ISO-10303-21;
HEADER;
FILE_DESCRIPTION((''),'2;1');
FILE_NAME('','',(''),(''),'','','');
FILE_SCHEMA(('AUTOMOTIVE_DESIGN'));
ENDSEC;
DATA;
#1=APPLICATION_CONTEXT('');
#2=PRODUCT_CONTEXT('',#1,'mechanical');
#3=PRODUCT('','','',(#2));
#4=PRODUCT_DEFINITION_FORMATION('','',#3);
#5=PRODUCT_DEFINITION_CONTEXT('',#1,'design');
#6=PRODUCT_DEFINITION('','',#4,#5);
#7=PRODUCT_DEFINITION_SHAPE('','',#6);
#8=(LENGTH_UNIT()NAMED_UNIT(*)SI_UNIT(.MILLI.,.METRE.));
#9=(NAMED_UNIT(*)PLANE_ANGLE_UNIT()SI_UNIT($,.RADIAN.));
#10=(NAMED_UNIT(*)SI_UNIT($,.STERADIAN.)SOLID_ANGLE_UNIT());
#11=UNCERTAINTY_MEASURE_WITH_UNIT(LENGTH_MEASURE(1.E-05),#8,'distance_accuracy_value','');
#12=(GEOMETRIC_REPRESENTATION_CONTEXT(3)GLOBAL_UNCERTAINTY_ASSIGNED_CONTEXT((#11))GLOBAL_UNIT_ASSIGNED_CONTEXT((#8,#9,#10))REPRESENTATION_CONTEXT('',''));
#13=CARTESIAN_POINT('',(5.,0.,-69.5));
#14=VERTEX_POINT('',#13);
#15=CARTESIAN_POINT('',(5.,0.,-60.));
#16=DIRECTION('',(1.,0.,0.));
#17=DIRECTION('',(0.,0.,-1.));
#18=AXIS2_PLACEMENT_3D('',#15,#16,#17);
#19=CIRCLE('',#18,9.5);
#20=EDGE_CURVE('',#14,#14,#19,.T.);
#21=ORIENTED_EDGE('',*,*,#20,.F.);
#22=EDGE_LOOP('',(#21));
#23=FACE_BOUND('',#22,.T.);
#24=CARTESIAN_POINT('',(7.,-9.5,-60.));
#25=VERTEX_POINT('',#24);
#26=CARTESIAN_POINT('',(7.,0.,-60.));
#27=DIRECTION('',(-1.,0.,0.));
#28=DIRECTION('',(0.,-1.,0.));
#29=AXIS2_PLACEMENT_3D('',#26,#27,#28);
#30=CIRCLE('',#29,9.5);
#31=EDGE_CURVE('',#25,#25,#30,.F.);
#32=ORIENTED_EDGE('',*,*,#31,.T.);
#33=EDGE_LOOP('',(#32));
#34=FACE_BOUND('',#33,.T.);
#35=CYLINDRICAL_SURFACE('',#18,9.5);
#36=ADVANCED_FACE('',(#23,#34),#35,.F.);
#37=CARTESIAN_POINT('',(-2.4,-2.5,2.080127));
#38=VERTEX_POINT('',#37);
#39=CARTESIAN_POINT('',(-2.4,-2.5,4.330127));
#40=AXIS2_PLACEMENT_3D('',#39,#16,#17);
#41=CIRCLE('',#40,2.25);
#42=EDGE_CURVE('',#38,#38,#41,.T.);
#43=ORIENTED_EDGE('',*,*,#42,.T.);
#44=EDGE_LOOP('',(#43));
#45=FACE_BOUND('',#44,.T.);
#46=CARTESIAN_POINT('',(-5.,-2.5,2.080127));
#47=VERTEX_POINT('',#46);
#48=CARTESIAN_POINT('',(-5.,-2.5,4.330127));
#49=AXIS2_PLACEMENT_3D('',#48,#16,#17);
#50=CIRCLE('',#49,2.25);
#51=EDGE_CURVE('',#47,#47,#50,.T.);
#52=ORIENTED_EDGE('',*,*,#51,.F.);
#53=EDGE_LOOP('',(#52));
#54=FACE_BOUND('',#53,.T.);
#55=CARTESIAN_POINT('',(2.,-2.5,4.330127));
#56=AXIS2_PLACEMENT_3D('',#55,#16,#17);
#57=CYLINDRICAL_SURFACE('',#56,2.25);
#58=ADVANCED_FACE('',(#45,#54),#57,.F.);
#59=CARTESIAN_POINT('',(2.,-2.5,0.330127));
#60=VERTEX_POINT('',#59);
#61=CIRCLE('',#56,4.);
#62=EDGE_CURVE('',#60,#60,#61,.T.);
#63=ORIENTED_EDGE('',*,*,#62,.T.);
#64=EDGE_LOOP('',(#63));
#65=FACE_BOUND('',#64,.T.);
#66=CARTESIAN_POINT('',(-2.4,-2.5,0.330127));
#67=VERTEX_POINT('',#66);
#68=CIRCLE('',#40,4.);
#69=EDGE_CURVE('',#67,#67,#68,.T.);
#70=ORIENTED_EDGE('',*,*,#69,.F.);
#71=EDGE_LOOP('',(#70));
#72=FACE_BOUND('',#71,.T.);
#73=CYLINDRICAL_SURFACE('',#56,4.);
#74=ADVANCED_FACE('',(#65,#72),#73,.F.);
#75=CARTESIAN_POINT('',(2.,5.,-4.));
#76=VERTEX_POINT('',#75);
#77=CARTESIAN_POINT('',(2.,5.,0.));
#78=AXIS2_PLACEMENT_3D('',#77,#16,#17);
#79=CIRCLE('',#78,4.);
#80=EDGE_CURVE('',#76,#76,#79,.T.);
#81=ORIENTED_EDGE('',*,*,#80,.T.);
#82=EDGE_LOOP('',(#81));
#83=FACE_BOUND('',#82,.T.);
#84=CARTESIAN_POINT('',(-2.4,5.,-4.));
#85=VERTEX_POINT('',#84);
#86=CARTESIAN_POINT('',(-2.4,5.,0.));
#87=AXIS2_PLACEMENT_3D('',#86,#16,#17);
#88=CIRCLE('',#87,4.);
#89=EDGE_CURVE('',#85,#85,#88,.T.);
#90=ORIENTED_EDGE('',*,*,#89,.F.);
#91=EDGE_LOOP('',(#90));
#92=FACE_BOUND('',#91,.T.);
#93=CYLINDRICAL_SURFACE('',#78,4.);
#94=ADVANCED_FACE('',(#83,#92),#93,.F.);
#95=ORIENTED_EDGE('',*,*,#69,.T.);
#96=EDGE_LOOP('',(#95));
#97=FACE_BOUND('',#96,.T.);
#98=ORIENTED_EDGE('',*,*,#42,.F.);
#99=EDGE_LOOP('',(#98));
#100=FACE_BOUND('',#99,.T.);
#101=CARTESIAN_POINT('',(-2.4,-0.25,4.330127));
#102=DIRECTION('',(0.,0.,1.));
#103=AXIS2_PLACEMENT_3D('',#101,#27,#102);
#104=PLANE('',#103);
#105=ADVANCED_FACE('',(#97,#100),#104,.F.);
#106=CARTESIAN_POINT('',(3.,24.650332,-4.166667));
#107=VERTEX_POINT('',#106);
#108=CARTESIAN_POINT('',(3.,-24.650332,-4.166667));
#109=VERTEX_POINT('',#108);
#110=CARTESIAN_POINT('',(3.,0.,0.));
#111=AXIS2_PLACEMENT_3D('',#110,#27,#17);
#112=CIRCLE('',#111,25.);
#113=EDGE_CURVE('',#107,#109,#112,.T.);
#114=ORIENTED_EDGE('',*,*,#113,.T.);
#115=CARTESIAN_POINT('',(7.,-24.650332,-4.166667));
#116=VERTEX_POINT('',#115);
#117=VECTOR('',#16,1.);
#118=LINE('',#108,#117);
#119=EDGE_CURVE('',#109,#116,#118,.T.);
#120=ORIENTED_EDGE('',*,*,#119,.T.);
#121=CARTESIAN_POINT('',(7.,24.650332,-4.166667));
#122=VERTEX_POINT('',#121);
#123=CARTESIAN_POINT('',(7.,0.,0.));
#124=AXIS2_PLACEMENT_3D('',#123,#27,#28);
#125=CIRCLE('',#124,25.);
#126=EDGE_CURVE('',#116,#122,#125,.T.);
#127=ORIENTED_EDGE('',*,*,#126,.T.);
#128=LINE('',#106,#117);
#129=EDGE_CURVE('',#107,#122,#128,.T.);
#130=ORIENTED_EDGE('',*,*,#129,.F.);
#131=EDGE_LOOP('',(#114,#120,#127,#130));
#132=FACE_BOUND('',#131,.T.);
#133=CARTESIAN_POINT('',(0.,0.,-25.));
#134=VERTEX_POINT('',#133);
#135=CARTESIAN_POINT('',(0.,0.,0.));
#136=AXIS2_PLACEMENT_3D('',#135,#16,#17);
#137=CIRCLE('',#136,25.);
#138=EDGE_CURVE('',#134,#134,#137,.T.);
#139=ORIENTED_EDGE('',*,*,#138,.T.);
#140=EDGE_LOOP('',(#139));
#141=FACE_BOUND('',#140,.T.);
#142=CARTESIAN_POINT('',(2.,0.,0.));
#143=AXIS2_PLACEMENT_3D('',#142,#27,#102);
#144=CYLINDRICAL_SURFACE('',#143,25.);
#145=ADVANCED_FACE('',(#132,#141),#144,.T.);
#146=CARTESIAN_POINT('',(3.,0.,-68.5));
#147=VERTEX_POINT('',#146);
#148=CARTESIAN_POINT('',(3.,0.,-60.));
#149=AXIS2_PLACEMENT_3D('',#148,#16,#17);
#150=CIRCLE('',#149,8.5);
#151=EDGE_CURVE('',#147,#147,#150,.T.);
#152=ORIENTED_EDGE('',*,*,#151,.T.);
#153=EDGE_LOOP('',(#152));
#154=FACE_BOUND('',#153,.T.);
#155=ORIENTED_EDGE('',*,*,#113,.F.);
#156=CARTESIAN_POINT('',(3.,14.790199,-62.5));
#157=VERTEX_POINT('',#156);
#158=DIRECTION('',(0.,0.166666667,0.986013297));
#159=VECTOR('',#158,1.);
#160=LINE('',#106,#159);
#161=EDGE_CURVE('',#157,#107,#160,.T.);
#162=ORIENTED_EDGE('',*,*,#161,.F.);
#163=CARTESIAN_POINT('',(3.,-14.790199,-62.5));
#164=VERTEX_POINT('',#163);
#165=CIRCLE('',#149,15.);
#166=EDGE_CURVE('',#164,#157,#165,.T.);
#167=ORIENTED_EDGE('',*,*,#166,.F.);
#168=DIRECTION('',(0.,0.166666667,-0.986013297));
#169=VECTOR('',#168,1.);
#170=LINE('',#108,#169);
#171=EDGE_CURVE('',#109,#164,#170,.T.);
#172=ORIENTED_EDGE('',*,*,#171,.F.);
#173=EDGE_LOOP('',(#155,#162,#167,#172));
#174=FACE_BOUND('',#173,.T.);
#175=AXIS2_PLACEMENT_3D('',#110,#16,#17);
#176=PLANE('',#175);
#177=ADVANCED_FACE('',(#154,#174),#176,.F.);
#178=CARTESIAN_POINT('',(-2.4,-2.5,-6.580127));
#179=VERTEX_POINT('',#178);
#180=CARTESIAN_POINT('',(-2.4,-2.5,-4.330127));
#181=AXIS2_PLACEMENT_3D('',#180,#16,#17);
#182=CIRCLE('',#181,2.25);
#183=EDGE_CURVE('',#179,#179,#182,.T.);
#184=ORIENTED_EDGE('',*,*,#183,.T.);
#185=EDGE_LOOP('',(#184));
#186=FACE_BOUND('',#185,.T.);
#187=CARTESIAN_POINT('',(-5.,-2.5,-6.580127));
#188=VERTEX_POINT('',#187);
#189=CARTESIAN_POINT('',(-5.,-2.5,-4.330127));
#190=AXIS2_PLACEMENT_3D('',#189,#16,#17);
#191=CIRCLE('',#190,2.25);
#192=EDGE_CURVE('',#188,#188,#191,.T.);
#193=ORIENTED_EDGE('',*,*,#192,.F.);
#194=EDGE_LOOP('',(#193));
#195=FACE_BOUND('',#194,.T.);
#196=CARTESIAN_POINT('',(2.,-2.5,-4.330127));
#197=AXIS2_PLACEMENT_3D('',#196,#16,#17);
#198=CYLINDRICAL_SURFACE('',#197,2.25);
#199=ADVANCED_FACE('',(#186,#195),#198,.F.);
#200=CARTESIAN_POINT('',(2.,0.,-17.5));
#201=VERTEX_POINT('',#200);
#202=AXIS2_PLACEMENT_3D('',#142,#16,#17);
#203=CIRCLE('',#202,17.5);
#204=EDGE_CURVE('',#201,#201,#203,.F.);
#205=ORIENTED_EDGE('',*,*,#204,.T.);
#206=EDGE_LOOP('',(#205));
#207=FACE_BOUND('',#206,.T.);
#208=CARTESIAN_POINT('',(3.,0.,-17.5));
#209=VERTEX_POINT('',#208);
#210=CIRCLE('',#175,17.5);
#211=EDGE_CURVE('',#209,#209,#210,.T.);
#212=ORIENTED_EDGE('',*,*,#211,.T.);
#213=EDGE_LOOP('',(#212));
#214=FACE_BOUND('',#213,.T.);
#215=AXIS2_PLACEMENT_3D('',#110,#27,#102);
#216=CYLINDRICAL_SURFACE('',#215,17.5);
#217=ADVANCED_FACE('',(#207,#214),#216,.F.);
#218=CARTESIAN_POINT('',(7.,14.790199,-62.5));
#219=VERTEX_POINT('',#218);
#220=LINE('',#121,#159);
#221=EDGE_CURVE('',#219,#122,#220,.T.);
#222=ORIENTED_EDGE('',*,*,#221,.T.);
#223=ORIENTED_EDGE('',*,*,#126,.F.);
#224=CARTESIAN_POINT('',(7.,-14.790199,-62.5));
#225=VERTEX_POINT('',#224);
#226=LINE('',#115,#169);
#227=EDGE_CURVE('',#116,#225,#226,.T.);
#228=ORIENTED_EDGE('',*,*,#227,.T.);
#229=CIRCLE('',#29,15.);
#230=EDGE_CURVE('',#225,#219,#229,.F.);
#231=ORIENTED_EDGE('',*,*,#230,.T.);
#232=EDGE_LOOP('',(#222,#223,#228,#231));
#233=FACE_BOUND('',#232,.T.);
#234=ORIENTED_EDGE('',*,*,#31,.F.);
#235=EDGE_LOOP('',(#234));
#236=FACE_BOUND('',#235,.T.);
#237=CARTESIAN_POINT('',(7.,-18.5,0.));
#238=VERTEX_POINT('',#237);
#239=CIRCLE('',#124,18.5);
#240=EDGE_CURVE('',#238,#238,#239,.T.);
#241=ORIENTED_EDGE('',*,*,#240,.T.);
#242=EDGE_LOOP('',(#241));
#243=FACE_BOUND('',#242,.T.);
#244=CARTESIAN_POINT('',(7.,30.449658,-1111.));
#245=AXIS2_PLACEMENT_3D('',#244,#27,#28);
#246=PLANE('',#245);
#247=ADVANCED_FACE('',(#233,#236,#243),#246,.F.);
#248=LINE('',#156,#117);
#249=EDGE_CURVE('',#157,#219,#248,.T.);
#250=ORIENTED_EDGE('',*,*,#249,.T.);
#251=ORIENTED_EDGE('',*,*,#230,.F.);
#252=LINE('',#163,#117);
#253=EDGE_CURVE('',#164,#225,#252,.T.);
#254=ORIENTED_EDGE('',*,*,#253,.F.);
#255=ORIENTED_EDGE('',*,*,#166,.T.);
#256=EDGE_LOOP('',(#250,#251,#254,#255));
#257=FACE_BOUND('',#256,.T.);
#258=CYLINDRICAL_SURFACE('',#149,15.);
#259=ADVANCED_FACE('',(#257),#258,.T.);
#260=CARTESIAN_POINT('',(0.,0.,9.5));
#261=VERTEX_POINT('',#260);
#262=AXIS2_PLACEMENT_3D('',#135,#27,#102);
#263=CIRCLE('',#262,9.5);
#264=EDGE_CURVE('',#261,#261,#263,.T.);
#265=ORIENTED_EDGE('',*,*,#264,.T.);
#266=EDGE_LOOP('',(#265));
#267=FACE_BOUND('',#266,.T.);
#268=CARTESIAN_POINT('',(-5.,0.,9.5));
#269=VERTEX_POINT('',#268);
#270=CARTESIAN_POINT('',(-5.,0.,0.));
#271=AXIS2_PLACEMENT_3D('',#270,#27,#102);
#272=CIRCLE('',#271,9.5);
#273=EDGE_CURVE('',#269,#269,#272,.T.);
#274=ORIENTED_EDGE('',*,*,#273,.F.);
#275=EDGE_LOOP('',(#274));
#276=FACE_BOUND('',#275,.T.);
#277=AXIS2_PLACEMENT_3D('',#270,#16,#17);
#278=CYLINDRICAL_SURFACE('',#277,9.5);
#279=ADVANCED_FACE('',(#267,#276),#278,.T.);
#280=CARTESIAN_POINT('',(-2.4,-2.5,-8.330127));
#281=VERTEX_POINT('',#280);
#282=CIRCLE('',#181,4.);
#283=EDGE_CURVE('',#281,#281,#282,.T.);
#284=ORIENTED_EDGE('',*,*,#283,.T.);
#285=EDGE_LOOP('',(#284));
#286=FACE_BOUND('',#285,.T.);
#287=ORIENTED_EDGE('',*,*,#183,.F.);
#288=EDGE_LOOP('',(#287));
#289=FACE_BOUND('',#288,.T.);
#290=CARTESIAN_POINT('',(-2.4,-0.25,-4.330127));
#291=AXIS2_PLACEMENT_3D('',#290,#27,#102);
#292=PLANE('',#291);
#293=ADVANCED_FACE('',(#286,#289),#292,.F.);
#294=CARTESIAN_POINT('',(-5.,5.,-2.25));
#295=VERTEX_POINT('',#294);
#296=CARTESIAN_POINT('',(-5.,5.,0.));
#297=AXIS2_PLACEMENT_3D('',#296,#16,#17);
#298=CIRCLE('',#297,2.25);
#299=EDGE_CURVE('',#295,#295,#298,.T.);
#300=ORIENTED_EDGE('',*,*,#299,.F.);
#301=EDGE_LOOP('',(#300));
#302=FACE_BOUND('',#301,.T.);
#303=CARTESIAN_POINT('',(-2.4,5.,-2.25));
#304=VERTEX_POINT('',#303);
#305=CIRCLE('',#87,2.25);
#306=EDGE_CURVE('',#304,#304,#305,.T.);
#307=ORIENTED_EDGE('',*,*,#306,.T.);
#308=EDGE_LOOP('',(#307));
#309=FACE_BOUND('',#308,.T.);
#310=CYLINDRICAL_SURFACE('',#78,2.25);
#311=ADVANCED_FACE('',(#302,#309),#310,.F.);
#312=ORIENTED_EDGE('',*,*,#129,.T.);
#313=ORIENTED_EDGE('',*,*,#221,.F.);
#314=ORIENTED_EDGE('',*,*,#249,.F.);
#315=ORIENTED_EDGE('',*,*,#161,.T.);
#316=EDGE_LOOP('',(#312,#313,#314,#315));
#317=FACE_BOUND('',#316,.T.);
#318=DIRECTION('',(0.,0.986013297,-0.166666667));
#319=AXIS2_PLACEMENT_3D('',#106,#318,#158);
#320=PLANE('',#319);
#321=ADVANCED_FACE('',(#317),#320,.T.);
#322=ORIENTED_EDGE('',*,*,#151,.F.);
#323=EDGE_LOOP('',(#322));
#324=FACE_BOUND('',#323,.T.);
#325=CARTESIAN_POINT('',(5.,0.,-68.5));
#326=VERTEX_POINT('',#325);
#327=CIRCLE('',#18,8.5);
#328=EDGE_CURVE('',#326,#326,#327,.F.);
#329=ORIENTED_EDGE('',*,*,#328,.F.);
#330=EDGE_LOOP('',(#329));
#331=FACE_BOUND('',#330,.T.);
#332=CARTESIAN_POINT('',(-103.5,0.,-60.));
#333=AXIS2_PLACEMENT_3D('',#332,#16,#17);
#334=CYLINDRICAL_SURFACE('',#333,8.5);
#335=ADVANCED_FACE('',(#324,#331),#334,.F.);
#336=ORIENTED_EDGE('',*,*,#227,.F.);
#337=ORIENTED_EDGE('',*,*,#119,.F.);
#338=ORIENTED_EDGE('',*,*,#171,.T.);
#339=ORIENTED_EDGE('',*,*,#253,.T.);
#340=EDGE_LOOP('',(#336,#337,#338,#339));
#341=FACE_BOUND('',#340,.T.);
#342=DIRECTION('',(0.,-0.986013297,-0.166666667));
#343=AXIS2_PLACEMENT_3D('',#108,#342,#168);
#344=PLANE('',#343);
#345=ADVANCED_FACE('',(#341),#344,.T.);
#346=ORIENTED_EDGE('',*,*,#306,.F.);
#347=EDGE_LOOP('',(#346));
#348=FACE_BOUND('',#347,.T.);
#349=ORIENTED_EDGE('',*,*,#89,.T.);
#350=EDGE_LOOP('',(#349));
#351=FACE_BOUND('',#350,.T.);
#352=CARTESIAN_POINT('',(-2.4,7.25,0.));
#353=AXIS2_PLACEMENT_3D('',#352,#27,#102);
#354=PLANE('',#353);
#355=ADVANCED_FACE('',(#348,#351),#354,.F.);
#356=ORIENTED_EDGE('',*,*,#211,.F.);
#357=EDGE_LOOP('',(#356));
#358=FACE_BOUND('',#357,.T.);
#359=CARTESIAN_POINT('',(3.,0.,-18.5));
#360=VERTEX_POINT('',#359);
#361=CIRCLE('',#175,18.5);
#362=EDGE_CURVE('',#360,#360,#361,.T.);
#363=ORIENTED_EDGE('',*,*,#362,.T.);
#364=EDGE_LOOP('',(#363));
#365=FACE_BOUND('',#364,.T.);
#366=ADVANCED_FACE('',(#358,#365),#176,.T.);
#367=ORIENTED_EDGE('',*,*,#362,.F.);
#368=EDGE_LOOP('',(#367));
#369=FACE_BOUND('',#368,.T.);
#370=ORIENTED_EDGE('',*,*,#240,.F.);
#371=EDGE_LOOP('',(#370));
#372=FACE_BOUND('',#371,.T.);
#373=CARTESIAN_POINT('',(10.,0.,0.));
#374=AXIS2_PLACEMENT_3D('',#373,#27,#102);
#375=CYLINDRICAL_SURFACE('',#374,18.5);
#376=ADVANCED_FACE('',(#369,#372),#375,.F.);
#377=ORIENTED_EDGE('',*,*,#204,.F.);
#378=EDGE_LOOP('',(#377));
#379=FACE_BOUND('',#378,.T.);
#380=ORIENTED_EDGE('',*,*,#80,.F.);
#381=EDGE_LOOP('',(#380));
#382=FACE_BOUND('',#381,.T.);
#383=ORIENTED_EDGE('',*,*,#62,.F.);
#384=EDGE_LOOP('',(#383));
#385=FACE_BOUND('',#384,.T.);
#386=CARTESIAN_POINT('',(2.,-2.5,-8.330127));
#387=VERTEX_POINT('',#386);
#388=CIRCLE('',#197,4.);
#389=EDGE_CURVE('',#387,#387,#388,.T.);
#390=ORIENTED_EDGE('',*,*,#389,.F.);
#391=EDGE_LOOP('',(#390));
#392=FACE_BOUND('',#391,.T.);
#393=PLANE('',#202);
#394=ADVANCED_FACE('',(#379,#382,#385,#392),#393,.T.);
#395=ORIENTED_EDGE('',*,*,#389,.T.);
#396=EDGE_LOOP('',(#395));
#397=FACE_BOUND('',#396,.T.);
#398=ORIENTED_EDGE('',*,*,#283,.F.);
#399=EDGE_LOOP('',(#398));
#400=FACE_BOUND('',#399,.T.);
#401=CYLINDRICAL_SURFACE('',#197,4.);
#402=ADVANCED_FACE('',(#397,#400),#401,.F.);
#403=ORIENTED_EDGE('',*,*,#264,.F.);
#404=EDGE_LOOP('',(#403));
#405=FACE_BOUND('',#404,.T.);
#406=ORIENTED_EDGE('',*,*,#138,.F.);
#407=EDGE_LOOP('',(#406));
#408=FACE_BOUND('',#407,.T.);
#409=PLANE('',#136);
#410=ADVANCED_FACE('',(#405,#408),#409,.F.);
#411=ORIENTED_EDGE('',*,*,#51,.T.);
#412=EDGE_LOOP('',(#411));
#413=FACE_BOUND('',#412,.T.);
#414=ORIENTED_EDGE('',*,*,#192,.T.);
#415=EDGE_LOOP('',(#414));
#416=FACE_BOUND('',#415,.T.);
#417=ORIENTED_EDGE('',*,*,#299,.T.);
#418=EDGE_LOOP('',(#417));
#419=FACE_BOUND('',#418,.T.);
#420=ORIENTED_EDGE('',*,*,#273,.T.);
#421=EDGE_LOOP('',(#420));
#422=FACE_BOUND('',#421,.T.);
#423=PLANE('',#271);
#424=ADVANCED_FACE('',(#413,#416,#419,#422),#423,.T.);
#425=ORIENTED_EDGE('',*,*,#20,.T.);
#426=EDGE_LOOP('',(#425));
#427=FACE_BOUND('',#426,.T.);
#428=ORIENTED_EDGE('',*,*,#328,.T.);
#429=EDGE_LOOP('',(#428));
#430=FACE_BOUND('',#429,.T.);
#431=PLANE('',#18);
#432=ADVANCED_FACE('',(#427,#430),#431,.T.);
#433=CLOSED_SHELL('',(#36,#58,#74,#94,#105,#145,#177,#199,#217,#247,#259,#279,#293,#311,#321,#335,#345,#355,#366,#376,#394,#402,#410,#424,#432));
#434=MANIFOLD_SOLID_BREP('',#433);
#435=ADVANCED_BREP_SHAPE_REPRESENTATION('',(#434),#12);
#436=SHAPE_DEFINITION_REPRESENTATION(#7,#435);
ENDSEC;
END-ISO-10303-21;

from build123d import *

# Parameters (mm, degrees)
SKETCH_3_R                   = 25
EXTRUDE_1_DEPTH              = 2
SKETCH_4_R                   = 25
SKETCH_4_R_2                 = 17.5
EXTRUDE_2_DEPTH              = 1
SKETCH_5_R                   = 25
SKETCH_5_R_2                 = 18.5
EXTRUDE_3_DEPTH              = 7
SKETCH_6_R                   = 25
SKETCH_6_R_2                 = 17.5
EXTRUDE_4_DEPTH              = 2
EXTRUDE_5_DEPTH              = 9
SKETCH_11_R                  = 8.5
CUT_EXTRUDE_3_DEPTH          = 111
SKETCH_12_R                  = 9.5
CUT_EXTRUDE_4_DEPTH          = 2.5
SKETCH_13_R                  = 9.5
EXTRUDE_6_DEPTH              = 5
HOLE_WIZARD_M4_1_D           = 4.5
HOLE_WIZARD_M4_1_CBORE_D     = 8
HOLE_WIZARD_M4_1_CBORE_DEPTH = 4.4
PATTERN_CIRCULAR_1_COUNT     = 3
SKETCH_17_W                  = 17.714059585
SKETCH_17_H                  = 64.604217311
CUT_EXTRUDE_5_DEPTH          = 1111


with BuildPart() as part:
    # 스케치3 → 보스-돌출1 (new body)
    with BuildSketch(Plane(origin=(0, 0, 0), x_dir=(0, 0, -1), z_dir=(1, 0, 0))):
        Circle(SKETCH_3_R)
    extrude(amount=EXTRUDE_1_DEPTH)

    # 스케치4 → 보스-돌출2 (add)
    with BuildSketch(Plane(origin=(2, 0, 0), x_dir=(0, 0, -1), z_dir=(1, 0, 0))):
        Circle(SKETCH_4_R)
        Circle(SKETCH_4_R_2, mode=Mode.SUBTRACT)
    extrude(amount=EXTRUDE_2_DEPTH)

    # 스케치5 → 보스-돌출3 (add)
    with BuildSketch(Plane(origin=(3, 0, 0), x_dir=(0, 0, -1), z_dir=(1, 0, 0))):
        Circle(SKETCH_5_R)
        Circle(SKETCH_5_R_2, mode=Mode.SUBTRACT)
    extrude(amount=EXTRUDE_3_DEPTH)

    # 스케치6 → 보스-돌출4 (add)
    with BuildSketch(Plane(origin=(10, 0, 0), x_dir=(0, 0, -1), z_dir=(1, 0, 0))):
        Circle(SKETCH_6_R)
        Circle(SKETCH_6_R_2, mode=Mode.SUBTRACT)
    extrude(amount=EXTRUDE_4_DEPTH)

    # 스케치10 → 보스-돌출5 (add)
    with BuildSketch(Plane(origin=(12, 0, 0), x_dir=(0, 0, -1), z_dir=(1, 0, 0))):
        with BuildLine():
            Line((4.166666667, 24.65033243), (62.5, 14.790199458))
            ThreePointArc((62.5, 14.790199458), (75, 0), (62.5, -14.790199458))
            Line((62.5, -14.790199458), (4.166666667, -24.65033243))
            ThreePointArc((4.166666667, -24.65033243), (25, 0), (4.166666667, 24.65033243))
        make_face()
    extrude(amount=-EXTRUDE_5_DEPTH)

    # 스케치11 → 컷-돌출3 (cut, symmetric)
    with BuildSketch(Plane(origin=(7.5, 0, 0), x_dir=(0, 0, -1), z_dir=(1, 0, 0))):
        with Locations((60, 0)):
            Circle(SKETCH_11_R)
    extrude(amount=CUT_EXTRUDE_3_DEPTH, both=True, mode=Mode.SUBTRACT)

    # 스케치12 → 컷-돌출4 (cut, symmetric)
    with BuildSketch(Plane(origin=(7.5, 0, 0), x_dir=(0, 0, -1), z_dir=(1, 0, 0))):
        with Locations((60, 0)):
            Circle(SKETCH_12_R)
    extrude(amount=CUT_EXTRUDE_4_DEPTH, both=True, mode=Mode.SUBTRACT)

    # 스케치13 → 보스-돌출6 (add)
    with BuildSketch(Plane.ZY):
        Circle(SKETCH_13_R)
    extrude(amount=EXTRUDE_6_DEPTH)

    # M4 육각 소켓 머리 캡 나사용 카운터보어1 (through all)
    with Locations(Plane(origin=(2, 0, 0), x_dir=(0, 0, -1), z_dir=(1, 0, 0))):
        with Locations((0, 5)):
            hole_wizard_m4_1 = CounterBoreHole(HOLE_WIZARD_M4_1_D / 2, HOLE_WIZARD_M4_1_CBORE_D / 2, HOLE_WIZARD_M4_1_CBORE_DEPTH)

    # 원형 패턴1: M4 육각 소켓 머리 캡 나사용 카운터보어1 ×3 about axis
    pattern_circular_1_axis = Axis((0, 0, 0), (1, 0, 0))
    for i in range(1, PATTERN_CIRCULAR_1_COUNT):
        add(hole_wizard_m4_1.rotate(pattern_circular_1_axis, i * 360 / PATTERN_CIRCULAR_1_COUNT), mode=Mode.SUBTRACT)

    # 스케치17 → 컷-돌출5 (cut, symmetric)
    with BuildSketch(Plane.XY):
        with Locations((15.857029793, -1.852450676)):
            Rectangle(SKETCH_17_W, SKETCH_17_H)
    extrude(amount=CUT_EXTRUDE_5_DEPTH, both=True, mode=Mode.SUBTRACT)


solid = part.part
